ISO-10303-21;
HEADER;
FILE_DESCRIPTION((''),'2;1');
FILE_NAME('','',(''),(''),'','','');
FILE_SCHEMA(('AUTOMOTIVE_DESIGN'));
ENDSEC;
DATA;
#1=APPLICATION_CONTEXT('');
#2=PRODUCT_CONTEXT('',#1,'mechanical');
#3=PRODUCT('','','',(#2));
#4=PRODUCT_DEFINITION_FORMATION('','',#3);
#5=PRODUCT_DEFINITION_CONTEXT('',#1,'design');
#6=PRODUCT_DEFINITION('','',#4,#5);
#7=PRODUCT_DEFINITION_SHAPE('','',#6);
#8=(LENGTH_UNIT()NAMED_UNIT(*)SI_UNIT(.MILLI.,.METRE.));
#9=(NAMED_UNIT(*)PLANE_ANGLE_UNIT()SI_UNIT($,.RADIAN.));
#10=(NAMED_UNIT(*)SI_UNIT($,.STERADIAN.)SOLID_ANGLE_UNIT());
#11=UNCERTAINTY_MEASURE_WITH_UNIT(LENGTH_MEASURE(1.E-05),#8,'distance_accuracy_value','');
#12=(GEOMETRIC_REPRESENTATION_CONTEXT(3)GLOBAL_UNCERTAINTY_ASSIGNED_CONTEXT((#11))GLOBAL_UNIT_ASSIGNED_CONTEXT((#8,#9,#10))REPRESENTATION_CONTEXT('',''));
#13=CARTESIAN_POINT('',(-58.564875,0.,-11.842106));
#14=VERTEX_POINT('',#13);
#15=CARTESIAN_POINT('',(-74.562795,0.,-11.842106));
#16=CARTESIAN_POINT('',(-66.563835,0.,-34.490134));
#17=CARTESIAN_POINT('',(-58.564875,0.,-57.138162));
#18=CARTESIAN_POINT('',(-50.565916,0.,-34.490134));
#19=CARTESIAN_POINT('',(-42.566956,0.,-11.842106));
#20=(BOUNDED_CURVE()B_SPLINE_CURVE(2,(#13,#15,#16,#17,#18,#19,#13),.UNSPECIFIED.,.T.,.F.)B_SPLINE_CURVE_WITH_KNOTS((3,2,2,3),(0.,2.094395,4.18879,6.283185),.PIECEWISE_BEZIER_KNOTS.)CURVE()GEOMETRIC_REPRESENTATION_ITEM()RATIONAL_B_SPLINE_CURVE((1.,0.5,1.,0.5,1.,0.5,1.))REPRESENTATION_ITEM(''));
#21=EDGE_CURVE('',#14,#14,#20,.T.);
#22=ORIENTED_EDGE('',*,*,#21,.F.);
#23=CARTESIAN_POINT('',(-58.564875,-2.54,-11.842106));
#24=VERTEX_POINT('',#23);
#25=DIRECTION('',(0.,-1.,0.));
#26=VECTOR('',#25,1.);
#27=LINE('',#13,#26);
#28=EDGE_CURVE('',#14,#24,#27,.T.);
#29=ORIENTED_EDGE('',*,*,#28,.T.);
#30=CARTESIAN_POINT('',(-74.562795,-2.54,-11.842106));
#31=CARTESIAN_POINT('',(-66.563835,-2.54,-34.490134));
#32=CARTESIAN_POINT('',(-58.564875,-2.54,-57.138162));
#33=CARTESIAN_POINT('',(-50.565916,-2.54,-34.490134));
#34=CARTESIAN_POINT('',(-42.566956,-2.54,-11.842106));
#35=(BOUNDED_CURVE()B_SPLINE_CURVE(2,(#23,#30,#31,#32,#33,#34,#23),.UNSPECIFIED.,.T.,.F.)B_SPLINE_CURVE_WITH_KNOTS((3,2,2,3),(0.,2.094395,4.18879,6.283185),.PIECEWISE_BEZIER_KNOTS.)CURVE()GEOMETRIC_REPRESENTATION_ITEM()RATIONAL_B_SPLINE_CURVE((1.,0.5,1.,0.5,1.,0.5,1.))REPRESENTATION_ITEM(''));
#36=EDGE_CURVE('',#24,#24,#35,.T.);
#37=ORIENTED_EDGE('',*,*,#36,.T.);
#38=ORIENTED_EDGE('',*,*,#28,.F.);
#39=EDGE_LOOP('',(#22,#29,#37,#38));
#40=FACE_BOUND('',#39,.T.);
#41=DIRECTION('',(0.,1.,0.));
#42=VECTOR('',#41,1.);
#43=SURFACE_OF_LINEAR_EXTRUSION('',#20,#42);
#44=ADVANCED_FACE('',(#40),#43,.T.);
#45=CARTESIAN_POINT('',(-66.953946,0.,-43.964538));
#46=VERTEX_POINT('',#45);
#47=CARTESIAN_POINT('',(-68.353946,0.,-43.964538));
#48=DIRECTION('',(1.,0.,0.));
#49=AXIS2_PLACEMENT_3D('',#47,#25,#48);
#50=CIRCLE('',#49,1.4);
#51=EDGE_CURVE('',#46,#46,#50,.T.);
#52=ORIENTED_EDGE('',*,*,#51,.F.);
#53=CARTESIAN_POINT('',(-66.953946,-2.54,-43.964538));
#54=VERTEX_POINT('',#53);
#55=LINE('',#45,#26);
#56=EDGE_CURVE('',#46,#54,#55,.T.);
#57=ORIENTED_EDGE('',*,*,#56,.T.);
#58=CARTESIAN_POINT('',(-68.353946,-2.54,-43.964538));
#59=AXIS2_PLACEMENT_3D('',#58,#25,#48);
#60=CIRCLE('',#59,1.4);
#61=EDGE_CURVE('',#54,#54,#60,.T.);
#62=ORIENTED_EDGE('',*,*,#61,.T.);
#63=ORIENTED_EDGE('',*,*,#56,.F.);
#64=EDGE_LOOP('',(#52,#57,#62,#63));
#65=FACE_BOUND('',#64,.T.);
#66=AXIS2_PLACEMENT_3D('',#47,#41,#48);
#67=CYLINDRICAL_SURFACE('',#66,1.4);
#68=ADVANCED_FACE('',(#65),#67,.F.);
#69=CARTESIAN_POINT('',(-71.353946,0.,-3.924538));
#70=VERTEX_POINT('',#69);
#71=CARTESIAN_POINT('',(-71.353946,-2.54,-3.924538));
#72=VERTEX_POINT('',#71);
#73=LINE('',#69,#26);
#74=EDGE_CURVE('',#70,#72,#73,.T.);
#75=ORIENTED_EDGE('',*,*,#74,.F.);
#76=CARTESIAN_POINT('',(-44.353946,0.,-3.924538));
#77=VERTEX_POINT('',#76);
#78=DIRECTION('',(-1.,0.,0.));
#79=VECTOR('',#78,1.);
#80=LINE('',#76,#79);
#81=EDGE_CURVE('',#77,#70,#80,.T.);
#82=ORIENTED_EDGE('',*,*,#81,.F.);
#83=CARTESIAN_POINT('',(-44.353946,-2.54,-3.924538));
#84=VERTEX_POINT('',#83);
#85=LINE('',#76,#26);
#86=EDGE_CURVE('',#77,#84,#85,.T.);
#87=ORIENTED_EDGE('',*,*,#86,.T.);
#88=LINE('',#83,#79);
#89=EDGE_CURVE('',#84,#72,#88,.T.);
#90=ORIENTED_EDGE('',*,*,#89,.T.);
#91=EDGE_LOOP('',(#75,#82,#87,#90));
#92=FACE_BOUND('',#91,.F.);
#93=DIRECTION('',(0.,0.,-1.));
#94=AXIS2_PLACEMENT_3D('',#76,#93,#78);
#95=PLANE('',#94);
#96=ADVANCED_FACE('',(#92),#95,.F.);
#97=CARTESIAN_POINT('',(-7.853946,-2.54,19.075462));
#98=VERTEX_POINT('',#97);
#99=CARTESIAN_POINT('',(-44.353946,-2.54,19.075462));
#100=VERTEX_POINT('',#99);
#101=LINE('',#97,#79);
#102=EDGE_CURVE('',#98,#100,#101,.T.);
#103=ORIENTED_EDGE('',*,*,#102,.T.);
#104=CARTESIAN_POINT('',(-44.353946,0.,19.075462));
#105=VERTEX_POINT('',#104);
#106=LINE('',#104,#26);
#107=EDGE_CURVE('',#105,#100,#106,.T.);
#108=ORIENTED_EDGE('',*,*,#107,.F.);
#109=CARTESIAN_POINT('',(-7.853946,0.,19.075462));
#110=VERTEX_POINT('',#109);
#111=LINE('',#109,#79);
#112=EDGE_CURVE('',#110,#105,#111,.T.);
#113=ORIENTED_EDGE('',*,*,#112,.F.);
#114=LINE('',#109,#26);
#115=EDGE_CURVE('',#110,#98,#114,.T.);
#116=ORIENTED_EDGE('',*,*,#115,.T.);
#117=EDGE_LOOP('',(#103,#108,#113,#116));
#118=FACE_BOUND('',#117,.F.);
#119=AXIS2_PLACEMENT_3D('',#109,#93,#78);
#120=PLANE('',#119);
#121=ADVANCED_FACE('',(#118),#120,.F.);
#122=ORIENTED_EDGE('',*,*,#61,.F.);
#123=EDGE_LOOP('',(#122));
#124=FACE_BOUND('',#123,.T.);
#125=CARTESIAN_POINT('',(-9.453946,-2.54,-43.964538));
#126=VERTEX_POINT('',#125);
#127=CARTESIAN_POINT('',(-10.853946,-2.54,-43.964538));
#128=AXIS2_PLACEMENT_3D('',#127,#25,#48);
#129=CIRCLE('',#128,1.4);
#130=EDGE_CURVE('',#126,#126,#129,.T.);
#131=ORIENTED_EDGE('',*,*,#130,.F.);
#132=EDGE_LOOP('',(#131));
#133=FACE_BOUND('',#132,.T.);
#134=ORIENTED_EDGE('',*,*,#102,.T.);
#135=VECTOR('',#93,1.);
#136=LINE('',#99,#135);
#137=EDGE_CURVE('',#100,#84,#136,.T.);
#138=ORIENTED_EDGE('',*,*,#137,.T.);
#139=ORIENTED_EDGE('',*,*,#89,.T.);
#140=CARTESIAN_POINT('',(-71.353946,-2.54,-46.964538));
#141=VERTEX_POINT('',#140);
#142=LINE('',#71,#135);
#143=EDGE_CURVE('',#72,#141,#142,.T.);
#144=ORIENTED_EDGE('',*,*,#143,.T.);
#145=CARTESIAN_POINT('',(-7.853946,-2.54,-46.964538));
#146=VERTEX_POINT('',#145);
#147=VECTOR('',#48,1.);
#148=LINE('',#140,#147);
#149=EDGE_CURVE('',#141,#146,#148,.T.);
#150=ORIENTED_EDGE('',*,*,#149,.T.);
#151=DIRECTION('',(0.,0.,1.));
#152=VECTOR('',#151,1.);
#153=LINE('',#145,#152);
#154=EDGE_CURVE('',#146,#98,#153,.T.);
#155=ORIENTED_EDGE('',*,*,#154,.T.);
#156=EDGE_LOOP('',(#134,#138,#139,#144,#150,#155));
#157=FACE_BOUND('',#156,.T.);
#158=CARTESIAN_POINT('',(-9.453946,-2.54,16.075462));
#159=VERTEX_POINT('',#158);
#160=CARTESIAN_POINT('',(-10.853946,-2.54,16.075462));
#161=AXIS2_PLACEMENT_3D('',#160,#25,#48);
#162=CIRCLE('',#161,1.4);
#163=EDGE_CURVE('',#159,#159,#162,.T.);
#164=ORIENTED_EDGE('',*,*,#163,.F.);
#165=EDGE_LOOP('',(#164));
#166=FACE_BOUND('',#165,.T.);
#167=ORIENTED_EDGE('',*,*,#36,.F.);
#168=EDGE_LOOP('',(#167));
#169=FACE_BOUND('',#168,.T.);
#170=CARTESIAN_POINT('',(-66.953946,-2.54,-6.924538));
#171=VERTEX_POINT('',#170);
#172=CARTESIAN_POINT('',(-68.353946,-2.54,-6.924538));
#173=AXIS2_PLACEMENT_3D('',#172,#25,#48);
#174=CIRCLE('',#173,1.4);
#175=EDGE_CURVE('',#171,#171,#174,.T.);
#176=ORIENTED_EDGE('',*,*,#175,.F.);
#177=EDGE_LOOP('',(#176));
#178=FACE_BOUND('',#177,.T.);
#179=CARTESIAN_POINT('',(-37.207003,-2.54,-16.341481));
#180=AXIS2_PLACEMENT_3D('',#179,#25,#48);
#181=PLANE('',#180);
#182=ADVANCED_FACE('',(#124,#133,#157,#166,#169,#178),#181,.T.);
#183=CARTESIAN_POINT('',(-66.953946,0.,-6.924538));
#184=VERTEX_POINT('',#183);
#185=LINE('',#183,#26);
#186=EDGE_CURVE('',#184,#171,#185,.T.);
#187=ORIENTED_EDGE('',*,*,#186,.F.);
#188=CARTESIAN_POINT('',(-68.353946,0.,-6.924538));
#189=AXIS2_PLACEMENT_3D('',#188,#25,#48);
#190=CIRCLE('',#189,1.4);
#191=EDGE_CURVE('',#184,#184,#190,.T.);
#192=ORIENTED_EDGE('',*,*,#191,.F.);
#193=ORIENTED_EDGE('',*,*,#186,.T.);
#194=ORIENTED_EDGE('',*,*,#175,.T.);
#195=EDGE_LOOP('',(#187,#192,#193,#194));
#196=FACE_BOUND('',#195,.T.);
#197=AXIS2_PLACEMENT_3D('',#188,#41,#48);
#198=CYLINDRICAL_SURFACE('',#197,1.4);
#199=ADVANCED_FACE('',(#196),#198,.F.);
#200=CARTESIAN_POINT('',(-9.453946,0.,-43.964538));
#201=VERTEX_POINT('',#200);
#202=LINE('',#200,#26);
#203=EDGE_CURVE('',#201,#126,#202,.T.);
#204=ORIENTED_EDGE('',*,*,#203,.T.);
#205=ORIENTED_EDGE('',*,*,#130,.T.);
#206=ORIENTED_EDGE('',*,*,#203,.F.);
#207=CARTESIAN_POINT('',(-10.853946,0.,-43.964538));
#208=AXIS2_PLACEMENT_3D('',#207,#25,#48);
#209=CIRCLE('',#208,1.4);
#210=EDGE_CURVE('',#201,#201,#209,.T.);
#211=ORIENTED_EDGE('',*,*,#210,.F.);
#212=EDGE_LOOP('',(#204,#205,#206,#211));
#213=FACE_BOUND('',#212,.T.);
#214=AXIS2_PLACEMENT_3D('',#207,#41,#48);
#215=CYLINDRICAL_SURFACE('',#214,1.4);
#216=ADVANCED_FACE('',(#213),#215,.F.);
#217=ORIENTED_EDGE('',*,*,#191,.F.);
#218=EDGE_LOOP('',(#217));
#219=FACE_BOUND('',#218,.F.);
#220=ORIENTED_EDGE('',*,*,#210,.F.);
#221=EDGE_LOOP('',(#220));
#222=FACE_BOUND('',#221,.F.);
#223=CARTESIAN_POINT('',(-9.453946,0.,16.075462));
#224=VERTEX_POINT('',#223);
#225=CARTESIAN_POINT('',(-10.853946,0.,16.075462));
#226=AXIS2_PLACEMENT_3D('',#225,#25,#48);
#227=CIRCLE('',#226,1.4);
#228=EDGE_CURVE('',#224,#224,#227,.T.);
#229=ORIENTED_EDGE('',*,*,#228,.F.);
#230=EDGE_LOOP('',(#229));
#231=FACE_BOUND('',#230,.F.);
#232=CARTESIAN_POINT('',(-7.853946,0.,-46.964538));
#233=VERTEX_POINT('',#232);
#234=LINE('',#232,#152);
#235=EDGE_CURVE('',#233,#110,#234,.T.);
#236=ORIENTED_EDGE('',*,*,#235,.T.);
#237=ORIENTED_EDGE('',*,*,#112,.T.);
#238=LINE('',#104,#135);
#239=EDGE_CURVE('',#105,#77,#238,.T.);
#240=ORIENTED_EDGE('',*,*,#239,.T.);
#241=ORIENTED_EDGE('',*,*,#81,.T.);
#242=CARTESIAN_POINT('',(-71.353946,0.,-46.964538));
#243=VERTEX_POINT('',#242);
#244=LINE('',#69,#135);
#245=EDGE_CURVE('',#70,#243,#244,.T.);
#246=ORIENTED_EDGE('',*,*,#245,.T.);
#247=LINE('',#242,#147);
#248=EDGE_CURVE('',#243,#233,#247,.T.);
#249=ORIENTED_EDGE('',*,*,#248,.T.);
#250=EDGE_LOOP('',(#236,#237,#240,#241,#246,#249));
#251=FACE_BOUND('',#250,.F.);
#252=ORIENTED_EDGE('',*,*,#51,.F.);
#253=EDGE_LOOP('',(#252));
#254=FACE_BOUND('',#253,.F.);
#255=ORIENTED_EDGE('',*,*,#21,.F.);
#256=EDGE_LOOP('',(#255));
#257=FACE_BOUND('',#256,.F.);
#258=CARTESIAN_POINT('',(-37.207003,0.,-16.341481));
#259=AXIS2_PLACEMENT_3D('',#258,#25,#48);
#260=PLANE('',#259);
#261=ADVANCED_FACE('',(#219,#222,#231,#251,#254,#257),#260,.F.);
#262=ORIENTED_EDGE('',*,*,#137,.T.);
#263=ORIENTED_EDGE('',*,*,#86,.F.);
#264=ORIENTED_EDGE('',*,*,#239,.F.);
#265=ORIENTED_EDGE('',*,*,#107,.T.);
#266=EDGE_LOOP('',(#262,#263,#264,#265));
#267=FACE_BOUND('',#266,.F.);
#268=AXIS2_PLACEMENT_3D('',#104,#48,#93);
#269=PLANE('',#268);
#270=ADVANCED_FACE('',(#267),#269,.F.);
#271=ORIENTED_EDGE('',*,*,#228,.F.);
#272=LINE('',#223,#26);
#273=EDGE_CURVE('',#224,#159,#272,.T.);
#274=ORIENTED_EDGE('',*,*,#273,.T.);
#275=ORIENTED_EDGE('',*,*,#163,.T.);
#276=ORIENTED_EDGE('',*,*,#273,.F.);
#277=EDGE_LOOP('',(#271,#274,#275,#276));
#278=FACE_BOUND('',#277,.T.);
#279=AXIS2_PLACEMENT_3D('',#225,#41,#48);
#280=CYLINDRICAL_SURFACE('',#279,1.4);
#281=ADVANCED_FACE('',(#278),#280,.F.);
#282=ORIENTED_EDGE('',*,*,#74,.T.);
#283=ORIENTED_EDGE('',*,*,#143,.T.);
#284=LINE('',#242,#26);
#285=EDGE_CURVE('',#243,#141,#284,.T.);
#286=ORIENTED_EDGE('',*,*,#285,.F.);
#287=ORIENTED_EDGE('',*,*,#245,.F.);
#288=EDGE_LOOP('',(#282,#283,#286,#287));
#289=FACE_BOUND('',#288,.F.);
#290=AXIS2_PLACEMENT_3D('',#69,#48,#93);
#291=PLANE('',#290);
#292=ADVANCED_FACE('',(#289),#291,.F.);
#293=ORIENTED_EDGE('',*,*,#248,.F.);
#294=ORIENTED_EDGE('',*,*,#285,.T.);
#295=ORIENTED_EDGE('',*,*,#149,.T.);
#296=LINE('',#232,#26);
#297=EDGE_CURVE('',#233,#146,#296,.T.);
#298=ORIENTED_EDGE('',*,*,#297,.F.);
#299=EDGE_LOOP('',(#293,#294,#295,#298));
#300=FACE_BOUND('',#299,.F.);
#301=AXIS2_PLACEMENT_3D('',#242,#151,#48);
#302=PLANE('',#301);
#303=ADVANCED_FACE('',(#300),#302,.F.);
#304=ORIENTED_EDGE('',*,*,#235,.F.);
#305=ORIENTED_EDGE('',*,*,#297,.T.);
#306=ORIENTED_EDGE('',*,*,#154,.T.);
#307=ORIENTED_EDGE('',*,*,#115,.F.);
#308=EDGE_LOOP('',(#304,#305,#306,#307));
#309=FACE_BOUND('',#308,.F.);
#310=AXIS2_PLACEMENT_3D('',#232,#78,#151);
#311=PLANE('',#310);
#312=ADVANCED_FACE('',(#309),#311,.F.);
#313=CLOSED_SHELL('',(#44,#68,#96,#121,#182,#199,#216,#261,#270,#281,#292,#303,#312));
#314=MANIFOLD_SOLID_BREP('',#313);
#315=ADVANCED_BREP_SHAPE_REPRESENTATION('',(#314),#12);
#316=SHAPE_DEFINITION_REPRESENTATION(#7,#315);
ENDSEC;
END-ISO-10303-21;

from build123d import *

# Parameters (mm, degrees)
F0_R     = 1.4
F1_DEPTH = 2.54


with BuildPart() as f1:
    # F0 (on Front) → F1 (new body)
    with BuildSketch(Plane.XZ):
        Polygon((-7.853946, 19.075462), (-44.353946, 19.075462), (-44.353946, -3.924538), (-71.353946, -3.924538), (-71.353946, -46.964538), (-7.853946, -46.964538), align=None)
        with Locations((-68.353946, -43.964538)):
            Circle(F0_R, mode=Mode.SUBTRACT)
        with BuildLine():
            add(Edge.make_bspline(
                [(-58.564875, -11.842106), (-74.562795, -11.842106), (-66.563835, -34.490134), (-58.564875, -57.138162), (-50.565916, -34.490134), (-42.566956, -11.842106), (-58.564875, -11.842106)],
                knots=[0, 0, 0, 2.094395, 2.094395, 4.18879, 4.18879, 6.283185, 6.283185, 6.283185], degree=2, weights=[1, 0.5, 1, 0.5, 1, 0.5, 1]))
        make_face(mode=Mode.SUBTRACT)
        with Locations((-10.853946, -43.964538)):
            Circle(F0_R, mode=Mode.SUBTRACT)
        with Locations((-68.353946, -6.924538)):
            Circle(F0_R, mode=Mode.SUBTRACT)
        with Locations((-10.853946, 16.075462)):
            Circle(F0_R, mode=Mode.SUBTRACT)
    extrude(amount=F1_DEPTH)


solid = f1.part
